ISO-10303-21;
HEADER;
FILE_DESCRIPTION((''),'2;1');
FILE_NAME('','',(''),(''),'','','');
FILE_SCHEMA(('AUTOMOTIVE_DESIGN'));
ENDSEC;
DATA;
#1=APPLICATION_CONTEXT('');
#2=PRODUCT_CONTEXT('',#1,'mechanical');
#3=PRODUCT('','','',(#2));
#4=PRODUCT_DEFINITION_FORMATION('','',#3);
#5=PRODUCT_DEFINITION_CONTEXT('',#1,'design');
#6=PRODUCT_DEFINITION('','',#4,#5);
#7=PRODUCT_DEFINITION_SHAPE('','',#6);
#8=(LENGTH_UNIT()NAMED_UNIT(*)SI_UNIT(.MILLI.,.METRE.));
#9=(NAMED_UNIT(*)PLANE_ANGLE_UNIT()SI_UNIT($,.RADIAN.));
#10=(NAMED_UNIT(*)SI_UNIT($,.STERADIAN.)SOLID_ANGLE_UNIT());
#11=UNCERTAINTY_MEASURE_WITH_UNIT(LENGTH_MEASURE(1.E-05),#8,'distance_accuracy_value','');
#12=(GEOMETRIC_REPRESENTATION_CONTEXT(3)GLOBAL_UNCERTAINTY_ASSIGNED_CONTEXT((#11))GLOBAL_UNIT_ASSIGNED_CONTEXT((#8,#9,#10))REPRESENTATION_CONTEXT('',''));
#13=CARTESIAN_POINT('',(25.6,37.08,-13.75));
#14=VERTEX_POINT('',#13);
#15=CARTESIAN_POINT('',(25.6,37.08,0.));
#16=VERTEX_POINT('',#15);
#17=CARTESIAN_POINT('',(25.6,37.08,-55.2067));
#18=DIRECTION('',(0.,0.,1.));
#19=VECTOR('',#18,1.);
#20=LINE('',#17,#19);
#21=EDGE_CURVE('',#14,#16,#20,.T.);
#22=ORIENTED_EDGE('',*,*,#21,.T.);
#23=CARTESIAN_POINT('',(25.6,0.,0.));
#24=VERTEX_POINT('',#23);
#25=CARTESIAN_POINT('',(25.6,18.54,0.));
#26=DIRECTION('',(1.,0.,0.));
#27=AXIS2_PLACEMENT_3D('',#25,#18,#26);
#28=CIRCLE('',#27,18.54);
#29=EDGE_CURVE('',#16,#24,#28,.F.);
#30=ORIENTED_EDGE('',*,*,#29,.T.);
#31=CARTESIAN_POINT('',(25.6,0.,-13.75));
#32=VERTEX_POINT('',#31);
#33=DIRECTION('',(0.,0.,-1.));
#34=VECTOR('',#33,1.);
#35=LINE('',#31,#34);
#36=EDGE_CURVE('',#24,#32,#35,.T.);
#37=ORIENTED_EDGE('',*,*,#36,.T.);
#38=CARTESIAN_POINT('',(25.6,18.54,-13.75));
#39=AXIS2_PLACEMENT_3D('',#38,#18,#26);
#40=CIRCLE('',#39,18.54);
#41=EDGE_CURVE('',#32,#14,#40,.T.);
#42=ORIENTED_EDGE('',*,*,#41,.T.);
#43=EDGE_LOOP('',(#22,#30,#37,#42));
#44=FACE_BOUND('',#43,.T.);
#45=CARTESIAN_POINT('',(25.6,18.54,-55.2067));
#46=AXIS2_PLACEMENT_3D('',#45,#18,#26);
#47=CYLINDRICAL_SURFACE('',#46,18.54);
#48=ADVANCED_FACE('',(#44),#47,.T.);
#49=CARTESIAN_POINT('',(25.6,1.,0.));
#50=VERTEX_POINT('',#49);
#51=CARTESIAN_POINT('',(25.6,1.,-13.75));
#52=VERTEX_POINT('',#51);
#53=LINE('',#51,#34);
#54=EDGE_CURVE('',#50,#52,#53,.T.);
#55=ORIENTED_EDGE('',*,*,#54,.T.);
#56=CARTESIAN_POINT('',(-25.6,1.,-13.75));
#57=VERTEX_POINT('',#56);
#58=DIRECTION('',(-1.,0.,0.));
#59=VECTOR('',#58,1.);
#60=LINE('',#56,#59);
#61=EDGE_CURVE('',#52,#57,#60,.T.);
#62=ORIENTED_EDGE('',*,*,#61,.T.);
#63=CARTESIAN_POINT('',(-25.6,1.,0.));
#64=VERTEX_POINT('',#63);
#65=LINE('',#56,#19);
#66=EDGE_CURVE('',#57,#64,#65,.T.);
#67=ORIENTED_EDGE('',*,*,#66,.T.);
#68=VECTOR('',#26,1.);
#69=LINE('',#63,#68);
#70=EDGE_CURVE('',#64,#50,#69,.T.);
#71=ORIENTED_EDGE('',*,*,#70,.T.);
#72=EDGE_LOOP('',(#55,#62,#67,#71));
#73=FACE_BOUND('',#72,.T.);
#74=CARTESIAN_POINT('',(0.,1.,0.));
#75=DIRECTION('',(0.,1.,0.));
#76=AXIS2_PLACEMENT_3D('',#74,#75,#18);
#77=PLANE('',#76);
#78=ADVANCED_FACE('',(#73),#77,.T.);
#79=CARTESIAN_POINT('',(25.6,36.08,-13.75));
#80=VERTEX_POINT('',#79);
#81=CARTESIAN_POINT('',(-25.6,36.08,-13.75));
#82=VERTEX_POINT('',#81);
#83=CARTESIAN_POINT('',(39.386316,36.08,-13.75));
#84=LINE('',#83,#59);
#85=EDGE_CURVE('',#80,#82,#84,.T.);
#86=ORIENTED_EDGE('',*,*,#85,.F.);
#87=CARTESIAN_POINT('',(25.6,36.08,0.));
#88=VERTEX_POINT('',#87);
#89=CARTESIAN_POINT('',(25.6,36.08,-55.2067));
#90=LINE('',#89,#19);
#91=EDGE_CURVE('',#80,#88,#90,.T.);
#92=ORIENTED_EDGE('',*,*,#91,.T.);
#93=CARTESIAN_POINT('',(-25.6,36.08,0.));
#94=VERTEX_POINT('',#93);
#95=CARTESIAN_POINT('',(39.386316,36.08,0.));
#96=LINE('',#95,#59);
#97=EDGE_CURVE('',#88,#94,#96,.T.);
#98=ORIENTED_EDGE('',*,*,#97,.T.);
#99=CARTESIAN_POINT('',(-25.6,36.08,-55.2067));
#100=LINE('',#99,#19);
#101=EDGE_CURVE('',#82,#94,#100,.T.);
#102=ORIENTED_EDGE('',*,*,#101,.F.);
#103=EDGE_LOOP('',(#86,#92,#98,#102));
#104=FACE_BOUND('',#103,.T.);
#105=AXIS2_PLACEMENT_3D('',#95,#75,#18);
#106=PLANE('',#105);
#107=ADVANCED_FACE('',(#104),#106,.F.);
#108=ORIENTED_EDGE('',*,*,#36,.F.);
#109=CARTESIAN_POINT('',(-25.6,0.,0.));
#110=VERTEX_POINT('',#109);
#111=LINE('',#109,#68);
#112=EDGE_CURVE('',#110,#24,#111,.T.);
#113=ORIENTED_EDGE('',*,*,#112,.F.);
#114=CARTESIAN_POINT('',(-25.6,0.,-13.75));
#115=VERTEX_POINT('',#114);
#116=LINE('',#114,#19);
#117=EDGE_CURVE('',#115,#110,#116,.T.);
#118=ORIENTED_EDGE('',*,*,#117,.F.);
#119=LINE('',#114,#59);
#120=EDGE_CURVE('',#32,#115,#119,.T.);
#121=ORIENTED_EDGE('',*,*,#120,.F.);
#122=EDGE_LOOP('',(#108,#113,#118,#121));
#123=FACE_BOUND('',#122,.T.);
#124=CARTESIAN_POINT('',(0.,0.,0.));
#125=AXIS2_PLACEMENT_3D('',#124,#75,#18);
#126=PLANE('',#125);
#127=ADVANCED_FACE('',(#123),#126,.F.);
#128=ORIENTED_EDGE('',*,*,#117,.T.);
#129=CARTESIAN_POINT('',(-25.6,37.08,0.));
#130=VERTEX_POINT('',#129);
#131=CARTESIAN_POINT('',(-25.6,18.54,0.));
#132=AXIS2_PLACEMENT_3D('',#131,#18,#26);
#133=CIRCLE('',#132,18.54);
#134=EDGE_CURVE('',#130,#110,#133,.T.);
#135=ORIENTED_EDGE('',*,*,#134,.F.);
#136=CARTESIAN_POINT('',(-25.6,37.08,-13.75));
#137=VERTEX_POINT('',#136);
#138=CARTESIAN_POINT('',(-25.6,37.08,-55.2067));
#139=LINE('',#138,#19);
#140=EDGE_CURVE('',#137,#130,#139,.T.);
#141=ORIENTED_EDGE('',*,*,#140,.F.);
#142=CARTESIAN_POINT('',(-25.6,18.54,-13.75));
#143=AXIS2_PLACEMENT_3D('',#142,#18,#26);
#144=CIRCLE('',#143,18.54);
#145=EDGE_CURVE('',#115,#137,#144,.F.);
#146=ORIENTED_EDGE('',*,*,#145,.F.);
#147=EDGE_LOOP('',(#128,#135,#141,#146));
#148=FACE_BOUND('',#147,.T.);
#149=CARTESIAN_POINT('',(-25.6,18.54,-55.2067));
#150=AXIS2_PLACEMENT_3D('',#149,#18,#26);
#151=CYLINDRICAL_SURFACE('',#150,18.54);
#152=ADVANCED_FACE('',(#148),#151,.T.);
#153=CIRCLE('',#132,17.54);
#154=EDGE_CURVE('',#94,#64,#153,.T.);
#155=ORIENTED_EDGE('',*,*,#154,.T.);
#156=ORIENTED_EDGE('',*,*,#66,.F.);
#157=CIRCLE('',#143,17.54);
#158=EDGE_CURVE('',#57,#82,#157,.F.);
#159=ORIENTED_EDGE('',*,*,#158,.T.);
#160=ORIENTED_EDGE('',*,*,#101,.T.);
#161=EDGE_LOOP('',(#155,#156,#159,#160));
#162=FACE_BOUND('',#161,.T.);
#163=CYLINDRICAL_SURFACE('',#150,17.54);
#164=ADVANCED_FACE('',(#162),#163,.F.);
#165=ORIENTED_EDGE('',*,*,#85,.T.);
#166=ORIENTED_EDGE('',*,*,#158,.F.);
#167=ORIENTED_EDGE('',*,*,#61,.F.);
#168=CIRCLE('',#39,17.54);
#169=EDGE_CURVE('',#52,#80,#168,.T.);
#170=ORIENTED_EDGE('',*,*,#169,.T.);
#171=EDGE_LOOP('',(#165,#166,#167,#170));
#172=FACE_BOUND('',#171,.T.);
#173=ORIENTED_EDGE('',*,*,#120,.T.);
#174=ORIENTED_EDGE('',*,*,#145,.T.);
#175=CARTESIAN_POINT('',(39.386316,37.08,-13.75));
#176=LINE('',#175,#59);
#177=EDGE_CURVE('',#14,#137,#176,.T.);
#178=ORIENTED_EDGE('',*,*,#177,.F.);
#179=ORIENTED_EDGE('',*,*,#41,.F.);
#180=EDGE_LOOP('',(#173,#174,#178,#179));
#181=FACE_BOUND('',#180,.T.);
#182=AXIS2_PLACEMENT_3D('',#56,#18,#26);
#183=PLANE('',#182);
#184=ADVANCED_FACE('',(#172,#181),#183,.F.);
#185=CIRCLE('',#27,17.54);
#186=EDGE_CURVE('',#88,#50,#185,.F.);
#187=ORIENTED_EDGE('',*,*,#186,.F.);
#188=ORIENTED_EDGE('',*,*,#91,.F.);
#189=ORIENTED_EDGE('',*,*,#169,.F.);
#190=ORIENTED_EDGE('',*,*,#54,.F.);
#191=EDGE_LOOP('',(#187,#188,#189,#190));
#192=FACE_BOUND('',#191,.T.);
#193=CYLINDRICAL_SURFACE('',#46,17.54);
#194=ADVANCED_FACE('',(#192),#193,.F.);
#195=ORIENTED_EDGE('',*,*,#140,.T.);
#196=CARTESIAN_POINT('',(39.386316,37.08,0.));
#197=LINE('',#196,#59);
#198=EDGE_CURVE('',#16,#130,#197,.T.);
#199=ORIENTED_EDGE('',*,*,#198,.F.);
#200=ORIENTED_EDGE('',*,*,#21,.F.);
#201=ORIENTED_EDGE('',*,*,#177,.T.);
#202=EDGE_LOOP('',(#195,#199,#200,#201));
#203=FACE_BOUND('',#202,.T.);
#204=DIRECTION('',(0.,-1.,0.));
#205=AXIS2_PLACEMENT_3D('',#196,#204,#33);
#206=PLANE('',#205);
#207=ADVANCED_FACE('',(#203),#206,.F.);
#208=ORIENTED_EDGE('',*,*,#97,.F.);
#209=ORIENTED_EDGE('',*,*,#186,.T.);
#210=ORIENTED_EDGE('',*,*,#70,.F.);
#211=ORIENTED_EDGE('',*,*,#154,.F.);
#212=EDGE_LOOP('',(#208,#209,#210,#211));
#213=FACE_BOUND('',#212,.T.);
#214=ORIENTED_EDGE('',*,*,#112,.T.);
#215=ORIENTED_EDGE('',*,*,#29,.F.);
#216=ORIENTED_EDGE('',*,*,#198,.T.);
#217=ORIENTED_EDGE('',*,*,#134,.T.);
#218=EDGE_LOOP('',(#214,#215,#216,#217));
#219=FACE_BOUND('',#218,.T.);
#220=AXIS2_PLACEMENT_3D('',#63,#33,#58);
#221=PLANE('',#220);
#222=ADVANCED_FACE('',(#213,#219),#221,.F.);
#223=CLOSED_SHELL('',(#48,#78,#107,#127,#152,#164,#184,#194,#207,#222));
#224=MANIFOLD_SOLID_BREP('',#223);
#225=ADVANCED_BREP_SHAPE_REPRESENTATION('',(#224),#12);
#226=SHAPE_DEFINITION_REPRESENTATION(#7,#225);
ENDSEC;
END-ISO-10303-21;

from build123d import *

# Parameters (mm, degrees)
CROQUIS1_W              = 51.2
CROQUIS1_H              = 13.75
SALIENTE_EXTRUIR1_DEPTH = 1
SALIENTE_EXTRUIR2_DEPTH = 13.75
SALIENTE_EXTRUIR3_REACH = 82.173
CROQUIS4_W              = 13.75
CROQUIS4_H              = 1


with BuildPart() as part:
    # Croquis1 → Saliente-Extruir1 (new body)
    with BuildSketch(Plane(origin=(0, 0, 0), x_dir=(1, 0, 0), z_dir=(0, 1, 0))):
        with Locations((0, 6.875)):
            Rectangle(CROQUIS1_W, CROQUIS1_H)
    extrude(amount=SALIENTE_EXTRUIR1_DEPTH)

    # Croquis2 → Saliente-Extruir2 (add)
    with BuildSketch(Plane.XY):
        with BuildLine():
            Line((25.6, 36.08), (25.6, 37.08))
            ThreePointArc((25.6, 37.08), (44.14, 18.54), (25.6, 0))
            Line((25.6, 0), (25.6, 1))
            ThreePointArc((25.6, 1), (43.14, 18.54), (25.6, 36.08))
        make_face()
        with BuildLine():
            ThreePointArc((-25.6, 36.08), (-43.14, 18.54), (-25.6, 1))
            Line((-25.6, 1), (-25.6, 0))
            ThreePointArc((-25.6, 0), (-44.14, 18.54), (-25.6, 37.08))
            Line((-25.6, 37.08), (-25.6, 36.08))
        make_face()
    extrude(amount=-SALIENTE_EXTRUIR2_DEPTH)

    # Saliente-Extruir3: up to this face of the body (flat: up to its plane)
    saliente_extruir3_end = Plane(part.part.faces().sort_by_distance((25.6, 36.58, -6.875))[0])
    # Croquis4 → Saliente-Extruir3 (add, up to the picked face)
    with BuildSketch(Plane(origin=(-25.6, 0, 0), x_dir=(0, 0, -1), z_dir=(1, 0, 0)), mode=Mode.PRIVATE) as saliente_extruir3_sk1:
        with Locations((6.875, 36.58)):
            Rectangle(CROQUIS4_W, CROQUIS4_H)
    saliente_extruir3_tool1 = split(extrude(saliente_extruir3_sk1.sketch, amount=SALIENTE_EXTRUIR3_REACH, mode=Mode.PRIVATE), bisect_by=saliente_extruir3_end, keep=Keep.BOTH, mode=Mode.PRIVATE)
    add(saliente_extruir3_tool1.solids().sort_by(Axis((-25.6, 36.58, -6.875), (1, 0, 0)))[0])


solid = part.part
